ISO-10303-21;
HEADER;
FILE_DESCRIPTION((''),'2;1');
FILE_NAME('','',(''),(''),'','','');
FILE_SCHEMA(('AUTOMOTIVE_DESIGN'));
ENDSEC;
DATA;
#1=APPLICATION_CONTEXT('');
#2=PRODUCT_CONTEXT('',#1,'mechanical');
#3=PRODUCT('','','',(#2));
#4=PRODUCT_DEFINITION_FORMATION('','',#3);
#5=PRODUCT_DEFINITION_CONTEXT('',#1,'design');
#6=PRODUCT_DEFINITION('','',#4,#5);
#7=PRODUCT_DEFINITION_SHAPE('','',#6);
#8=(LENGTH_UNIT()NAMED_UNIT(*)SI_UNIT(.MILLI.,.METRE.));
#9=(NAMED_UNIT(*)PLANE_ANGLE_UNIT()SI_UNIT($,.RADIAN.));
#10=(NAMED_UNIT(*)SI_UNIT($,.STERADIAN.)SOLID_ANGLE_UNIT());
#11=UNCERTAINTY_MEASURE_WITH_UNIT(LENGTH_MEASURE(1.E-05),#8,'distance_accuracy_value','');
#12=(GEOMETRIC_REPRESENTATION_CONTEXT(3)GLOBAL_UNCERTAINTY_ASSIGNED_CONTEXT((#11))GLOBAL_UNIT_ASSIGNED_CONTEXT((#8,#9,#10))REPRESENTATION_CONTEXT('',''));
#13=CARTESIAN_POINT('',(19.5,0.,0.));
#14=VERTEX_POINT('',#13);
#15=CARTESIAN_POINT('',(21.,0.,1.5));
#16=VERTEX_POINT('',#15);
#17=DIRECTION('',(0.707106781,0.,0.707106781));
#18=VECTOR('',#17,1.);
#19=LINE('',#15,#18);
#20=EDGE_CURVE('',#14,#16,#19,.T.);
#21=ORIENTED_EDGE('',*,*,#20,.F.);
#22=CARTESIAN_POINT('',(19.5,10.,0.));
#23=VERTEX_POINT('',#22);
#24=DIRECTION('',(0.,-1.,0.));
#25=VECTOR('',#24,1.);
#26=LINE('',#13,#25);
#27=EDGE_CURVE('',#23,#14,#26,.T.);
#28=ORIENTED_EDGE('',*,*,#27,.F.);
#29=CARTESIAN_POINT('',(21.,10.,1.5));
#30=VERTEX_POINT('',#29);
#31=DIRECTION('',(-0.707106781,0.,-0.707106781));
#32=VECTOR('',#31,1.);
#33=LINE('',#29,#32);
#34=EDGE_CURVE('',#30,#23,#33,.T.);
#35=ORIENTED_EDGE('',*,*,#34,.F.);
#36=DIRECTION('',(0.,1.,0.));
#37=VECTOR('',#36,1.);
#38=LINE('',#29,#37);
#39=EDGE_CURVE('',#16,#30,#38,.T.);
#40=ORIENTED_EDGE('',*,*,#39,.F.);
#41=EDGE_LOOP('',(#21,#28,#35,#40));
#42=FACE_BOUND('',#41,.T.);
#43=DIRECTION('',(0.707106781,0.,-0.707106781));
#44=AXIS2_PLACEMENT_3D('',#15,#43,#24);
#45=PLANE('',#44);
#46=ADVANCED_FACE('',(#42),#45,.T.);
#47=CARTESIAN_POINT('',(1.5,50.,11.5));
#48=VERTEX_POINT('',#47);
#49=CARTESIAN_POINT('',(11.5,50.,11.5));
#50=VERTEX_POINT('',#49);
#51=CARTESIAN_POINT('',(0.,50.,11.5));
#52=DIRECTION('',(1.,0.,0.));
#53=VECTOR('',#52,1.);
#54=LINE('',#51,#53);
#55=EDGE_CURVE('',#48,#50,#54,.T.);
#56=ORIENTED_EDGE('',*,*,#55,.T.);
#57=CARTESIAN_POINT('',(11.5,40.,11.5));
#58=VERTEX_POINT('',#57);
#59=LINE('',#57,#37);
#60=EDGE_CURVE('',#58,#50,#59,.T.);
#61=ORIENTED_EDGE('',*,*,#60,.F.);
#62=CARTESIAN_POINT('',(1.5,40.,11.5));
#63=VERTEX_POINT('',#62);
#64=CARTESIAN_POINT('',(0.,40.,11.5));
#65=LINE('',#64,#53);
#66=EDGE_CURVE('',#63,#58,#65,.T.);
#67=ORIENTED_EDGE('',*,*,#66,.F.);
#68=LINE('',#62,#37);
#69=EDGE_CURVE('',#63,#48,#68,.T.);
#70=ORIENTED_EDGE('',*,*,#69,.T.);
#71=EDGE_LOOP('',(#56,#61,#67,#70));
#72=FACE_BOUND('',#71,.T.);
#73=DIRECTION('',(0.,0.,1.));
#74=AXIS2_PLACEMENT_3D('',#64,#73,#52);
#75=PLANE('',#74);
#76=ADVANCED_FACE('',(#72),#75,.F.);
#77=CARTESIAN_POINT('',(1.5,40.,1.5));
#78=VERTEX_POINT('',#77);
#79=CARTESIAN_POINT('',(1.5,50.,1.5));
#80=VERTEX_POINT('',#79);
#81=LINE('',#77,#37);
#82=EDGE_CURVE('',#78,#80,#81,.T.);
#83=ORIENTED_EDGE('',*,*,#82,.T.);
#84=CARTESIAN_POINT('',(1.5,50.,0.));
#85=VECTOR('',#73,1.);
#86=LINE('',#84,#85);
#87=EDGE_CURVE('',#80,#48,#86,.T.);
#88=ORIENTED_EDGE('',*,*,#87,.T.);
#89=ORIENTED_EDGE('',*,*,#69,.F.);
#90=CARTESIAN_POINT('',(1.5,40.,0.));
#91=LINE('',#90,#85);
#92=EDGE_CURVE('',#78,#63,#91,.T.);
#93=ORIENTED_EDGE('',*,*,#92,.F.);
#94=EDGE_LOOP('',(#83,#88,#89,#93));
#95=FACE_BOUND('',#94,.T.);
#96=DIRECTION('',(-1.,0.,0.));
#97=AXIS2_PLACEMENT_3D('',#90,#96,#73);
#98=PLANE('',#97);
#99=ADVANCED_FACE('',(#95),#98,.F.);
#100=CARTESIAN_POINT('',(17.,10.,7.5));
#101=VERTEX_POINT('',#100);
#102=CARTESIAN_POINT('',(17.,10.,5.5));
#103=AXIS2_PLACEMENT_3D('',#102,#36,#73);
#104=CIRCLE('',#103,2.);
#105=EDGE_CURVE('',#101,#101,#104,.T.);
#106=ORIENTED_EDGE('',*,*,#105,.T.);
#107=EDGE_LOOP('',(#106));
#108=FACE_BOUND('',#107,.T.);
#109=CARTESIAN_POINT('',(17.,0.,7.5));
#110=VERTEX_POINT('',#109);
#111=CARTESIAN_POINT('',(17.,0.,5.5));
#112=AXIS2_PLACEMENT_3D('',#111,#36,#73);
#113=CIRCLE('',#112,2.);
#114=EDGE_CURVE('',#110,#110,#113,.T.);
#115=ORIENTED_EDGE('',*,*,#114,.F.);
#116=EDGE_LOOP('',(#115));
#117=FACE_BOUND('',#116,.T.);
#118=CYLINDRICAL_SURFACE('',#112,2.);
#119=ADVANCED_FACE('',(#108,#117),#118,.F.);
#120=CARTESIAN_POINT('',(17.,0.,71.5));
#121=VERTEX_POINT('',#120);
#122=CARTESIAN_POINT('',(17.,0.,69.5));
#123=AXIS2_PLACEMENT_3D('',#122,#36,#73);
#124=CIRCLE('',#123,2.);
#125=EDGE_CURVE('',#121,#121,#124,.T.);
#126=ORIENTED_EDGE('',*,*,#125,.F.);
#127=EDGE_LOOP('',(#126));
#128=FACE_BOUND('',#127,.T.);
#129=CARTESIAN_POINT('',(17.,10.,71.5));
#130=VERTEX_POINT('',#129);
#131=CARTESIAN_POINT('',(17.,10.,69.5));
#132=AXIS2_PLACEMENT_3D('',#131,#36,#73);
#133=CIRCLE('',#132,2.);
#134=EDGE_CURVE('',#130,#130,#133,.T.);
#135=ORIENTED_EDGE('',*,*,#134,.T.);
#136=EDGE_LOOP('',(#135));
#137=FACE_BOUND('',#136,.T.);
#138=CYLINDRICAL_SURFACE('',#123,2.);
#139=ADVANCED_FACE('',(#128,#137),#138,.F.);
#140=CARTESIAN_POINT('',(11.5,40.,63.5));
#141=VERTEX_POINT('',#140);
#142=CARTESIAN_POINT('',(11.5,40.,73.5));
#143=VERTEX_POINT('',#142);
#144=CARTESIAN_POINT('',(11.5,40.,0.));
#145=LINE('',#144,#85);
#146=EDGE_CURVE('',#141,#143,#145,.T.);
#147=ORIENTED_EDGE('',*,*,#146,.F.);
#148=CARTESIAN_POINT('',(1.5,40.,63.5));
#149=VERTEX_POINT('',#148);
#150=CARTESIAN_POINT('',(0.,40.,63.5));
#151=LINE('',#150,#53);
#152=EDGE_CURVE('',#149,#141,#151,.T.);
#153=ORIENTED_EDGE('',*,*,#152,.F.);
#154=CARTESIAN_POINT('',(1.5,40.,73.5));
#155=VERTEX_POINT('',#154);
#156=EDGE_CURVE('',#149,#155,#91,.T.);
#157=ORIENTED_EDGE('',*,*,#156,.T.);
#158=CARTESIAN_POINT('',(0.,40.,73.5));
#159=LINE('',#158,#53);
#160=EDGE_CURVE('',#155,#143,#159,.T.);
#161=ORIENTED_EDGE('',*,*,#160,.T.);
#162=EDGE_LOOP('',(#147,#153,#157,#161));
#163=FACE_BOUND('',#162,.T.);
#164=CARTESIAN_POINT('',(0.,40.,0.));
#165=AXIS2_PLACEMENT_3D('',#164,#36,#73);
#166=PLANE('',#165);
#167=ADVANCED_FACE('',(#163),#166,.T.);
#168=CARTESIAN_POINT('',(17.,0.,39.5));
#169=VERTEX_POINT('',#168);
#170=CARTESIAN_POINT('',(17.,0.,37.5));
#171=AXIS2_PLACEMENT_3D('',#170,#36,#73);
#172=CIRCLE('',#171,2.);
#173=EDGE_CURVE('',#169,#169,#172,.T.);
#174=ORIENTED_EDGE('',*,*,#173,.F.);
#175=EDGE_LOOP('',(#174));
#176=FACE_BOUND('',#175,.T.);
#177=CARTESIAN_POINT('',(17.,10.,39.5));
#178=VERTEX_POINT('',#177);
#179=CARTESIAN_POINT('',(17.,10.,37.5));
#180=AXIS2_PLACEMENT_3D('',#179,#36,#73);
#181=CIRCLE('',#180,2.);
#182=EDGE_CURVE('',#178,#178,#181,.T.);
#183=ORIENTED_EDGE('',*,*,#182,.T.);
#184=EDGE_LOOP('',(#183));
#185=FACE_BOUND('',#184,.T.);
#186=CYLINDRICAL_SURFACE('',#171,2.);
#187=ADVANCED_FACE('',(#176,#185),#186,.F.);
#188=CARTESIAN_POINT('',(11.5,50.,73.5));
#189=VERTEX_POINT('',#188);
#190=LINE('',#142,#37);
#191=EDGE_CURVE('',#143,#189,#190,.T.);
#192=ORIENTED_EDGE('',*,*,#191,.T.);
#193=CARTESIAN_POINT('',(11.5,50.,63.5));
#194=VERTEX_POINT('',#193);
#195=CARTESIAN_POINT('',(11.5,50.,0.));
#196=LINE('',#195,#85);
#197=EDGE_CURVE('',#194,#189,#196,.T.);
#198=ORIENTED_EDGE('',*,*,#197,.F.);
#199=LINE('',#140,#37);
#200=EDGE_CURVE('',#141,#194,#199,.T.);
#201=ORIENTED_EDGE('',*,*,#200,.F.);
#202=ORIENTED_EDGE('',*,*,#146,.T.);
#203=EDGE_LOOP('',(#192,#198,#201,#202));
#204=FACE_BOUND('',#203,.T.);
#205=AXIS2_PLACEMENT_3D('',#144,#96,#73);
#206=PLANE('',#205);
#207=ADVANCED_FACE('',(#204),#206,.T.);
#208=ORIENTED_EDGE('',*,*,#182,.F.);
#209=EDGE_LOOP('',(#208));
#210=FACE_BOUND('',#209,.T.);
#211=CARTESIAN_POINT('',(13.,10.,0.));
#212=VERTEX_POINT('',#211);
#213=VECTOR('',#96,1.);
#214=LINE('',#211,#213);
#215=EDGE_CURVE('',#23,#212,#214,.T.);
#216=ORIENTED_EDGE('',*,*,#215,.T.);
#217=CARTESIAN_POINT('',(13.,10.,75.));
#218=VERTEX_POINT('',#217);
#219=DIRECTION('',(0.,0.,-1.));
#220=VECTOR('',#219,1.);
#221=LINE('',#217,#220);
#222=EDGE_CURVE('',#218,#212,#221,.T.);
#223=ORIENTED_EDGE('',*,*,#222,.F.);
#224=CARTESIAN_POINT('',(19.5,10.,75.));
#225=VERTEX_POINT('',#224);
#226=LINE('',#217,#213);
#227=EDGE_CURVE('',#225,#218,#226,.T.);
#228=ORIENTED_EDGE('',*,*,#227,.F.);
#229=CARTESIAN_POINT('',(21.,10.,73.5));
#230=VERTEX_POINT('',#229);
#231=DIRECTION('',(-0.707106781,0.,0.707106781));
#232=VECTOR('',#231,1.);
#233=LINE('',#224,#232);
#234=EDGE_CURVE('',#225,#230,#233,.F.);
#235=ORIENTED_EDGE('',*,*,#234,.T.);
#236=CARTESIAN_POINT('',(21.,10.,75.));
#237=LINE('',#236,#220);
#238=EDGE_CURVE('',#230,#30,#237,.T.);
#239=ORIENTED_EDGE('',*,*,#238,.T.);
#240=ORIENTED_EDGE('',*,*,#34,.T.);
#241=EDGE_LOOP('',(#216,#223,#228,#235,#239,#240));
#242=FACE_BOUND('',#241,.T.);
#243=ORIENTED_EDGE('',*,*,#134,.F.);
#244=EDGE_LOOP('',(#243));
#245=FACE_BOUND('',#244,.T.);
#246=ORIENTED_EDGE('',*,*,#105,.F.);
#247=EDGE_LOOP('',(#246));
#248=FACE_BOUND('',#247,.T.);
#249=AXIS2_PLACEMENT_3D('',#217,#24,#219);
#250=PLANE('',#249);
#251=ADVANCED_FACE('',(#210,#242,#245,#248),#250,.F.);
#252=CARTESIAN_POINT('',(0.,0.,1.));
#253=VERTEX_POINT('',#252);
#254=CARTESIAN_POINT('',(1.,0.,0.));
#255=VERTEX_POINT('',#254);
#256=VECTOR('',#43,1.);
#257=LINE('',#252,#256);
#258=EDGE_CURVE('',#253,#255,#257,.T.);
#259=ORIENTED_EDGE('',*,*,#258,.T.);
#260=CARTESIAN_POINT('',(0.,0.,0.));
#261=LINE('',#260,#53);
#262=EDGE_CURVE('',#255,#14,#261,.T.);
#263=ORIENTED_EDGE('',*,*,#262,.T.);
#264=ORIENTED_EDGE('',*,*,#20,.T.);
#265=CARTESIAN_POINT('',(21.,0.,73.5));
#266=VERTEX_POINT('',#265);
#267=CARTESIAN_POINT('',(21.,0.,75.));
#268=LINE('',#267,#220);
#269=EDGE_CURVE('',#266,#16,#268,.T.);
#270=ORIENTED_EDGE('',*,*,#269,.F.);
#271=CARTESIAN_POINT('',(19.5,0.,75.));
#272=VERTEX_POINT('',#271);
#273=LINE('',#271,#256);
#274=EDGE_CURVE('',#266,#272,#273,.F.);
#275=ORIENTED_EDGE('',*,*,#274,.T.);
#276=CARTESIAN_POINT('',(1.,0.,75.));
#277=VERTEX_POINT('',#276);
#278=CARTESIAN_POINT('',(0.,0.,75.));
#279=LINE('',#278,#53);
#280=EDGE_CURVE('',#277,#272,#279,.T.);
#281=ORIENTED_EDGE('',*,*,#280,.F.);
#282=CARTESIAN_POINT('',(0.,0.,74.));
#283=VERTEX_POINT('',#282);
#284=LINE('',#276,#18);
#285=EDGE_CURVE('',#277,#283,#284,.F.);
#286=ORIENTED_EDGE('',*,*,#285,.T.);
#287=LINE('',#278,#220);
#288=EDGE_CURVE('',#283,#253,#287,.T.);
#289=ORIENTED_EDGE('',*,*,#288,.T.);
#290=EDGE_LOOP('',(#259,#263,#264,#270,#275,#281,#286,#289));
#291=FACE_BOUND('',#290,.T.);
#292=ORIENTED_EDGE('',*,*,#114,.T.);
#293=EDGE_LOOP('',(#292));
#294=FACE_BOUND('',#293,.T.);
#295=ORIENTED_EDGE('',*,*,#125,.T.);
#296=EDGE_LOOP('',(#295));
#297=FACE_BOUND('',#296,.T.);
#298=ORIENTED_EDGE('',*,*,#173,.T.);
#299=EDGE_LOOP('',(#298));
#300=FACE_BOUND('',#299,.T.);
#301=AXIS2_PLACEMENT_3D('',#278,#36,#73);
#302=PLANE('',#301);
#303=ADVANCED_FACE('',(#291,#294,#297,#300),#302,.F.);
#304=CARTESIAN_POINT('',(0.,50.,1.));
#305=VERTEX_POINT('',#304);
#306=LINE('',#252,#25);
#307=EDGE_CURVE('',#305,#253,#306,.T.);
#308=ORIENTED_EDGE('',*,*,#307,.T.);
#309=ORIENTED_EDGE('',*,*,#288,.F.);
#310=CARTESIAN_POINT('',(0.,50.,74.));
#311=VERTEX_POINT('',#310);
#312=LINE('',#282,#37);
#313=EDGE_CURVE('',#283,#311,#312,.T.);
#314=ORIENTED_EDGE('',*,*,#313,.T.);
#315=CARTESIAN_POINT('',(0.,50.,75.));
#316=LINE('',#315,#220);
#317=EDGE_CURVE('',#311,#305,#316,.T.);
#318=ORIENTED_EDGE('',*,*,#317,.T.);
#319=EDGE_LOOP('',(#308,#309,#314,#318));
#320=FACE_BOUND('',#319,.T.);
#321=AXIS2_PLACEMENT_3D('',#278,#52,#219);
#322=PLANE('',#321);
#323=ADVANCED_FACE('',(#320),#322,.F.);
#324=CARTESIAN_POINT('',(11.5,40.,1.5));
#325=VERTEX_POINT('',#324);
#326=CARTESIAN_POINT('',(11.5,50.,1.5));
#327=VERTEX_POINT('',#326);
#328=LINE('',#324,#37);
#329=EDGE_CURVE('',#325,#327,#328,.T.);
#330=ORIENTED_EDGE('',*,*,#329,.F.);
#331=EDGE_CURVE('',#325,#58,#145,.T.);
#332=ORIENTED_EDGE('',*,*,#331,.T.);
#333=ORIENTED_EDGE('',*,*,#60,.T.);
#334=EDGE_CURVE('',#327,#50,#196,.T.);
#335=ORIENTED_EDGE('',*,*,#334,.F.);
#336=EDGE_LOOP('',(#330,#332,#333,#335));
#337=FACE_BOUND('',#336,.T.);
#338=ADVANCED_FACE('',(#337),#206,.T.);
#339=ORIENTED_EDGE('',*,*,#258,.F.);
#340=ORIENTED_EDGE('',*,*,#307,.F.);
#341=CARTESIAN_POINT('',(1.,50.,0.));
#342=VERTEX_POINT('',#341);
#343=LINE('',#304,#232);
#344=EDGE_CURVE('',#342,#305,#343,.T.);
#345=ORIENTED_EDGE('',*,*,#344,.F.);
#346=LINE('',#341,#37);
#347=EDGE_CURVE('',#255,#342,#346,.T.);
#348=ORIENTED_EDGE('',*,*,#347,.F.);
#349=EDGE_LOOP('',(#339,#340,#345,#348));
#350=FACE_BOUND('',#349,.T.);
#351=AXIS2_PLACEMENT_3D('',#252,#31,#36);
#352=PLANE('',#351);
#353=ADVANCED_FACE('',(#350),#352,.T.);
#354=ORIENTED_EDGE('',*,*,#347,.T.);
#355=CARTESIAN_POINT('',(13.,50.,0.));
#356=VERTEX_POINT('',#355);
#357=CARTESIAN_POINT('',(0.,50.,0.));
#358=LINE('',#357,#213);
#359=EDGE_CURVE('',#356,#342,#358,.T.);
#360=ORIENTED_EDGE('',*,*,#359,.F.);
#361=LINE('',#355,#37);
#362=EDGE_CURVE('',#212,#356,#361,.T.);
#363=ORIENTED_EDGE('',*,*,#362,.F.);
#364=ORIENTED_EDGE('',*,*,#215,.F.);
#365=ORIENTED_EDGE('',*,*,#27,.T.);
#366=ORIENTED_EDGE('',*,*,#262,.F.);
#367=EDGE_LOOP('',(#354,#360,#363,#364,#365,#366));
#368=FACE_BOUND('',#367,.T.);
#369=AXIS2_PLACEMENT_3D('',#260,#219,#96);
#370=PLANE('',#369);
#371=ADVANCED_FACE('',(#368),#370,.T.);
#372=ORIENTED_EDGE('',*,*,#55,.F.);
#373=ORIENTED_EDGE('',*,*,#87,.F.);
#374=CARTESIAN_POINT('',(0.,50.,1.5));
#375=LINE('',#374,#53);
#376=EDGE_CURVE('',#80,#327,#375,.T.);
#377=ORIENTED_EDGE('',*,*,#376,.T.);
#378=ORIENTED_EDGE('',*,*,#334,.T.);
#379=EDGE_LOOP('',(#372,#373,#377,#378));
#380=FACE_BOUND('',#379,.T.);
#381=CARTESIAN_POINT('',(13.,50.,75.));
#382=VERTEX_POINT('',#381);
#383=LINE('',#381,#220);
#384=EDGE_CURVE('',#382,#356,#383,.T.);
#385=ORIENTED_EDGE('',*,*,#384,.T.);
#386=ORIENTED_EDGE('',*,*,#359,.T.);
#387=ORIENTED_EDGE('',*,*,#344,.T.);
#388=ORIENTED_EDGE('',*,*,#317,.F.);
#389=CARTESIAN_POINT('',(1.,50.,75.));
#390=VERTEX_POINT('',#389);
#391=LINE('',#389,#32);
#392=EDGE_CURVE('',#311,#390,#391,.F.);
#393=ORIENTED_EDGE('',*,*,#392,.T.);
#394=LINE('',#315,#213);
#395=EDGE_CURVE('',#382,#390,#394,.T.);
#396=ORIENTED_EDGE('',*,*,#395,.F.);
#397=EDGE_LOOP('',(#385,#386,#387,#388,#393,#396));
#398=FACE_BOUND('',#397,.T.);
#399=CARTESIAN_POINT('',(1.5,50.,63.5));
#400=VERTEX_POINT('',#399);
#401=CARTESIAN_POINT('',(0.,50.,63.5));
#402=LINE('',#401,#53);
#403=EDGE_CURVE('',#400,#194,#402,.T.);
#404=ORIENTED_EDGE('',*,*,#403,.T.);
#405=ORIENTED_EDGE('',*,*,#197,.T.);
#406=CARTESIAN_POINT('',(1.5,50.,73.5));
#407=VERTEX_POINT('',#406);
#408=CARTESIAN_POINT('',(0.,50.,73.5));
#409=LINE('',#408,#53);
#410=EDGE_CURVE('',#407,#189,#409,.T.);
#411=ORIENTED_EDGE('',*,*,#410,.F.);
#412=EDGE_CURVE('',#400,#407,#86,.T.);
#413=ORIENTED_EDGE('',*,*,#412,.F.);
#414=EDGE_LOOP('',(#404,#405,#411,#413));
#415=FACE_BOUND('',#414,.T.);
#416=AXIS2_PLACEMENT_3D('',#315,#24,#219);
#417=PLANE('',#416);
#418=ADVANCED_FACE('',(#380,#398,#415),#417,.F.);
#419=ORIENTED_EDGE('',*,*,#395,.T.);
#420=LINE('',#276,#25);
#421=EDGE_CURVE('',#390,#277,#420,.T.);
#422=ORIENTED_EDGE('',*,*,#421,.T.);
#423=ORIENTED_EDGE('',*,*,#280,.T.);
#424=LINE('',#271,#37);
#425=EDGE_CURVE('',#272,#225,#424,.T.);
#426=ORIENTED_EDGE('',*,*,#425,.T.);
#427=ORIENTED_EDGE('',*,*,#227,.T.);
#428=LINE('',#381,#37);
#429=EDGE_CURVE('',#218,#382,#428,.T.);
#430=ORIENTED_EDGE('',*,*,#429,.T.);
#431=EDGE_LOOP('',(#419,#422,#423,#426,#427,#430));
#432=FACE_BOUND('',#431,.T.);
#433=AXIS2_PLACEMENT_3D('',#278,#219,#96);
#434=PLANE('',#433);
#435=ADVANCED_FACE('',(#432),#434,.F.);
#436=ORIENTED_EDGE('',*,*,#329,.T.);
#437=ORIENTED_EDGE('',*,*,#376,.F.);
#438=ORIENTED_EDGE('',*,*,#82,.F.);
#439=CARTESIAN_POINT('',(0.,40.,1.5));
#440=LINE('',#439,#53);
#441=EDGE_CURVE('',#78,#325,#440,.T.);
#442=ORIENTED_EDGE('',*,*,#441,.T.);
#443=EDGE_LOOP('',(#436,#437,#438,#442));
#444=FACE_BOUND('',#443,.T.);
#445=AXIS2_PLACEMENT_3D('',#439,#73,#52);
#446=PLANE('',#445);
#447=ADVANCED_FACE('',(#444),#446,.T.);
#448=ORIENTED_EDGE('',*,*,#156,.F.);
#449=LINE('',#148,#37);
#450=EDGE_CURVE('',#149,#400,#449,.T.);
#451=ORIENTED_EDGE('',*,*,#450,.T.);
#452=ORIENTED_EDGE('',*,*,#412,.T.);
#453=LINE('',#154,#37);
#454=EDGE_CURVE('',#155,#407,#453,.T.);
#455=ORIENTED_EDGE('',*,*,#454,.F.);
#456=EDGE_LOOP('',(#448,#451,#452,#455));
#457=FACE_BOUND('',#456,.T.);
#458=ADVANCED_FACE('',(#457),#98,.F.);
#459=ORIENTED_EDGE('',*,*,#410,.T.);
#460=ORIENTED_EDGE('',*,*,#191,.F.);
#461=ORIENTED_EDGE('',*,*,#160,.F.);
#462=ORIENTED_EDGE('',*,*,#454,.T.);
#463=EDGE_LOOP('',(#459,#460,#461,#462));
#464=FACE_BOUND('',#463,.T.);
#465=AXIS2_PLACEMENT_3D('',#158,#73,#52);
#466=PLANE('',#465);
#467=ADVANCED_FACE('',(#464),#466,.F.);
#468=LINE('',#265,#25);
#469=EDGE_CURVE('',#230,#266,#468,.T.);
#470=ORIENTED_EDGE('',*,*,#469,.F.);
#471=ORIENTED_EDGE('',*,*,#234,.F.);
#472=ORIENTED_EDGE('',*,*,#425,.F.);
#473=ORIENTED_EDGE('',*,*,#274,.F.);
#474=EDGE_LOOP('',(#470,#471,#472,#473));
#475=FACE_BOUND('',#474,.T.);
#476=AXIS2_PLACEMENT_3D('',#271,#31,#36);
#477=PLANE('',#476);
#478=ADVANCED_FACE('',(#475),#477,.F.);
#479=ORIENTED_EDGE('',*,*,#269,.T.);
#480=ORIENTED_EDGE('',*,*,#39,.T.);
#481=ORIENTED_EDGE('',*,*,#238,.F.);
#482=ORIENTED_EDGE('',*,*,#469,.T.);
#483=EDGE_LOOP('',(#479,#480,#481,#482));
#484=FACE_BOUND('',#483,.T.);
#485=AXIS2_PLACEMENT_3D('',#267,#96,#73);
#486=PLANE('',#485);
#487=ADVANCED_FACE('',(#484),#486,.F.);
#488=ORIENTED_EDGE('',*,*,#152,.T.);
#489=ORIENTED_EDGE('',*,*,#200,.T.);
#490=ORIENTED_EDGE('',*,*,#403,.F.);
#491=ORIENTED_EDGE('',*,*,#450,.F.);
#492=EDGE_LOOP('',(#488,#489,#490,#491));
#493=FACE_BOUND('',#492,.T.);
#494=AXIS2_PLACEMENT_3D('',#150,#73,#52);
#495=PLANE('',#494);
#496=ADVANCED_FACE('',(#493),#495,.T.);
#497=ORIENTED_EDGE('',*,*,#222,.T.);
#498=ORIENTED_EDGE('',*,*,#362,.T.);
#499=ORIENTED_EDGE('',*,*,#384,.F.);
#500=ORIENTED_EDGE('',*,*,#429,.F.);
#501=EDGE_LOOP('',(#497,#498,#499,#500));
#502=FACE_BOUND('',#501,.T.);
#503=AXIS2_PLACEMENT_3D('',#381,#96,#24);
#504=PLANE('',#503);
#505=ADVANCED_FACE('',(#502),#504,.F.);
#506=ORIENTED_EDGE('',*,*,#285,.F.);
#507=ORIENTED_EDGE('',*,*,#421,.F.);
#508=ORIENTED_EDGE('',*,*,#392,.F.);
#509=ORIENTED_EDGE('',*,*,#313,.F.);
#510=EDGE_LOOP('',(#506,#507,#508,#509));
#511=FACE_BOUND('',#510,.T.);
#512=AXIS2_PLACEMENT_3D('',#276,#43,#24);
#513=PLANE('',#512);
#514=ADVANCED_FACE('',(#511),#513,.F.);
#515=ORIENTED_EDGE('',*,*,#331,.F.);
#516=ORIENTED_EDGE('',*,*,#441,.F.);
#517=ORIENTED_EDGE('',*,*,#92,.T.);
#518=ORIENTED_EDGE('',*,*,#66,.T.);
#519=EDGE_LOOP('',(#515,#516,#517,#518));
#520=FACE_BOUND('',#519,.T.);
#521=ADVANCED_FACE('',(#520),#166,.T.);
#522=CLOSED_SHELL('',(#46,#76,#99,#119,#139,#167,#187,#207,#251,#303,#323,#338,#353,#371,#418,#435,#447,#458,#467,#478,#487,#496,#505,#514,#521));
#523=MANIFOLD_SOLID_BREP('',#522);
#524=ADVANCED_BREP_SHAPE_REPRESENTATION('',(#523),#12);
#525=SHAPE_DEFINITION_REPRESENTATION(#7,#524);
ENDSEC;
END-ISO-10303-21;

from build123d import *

# Parameters (mm, degrees)
BOSS_EXTRUDE1_DEPTH = 75
SKETCH3_W           = 10
SKETCH3_H           = 10
CUT_EXTRUDE1_DEPTH  = 10
SKETCH4_R           = 2
CUT_EXTRUDE2_DEPTH  = 11
CHAMFER1_SIZE       = 1.5
CHAMFER2_SIZE       = 1


with BuildPart() as part:
    # Sketch2 → Boss-Extrude1 (new body)
    with BuildSketch(Plane.XY):
        Polygon((13, 50), (13, 10), (21, 10), (21, 0), (0, 0), (0, 50), align=None)
    extrude(amount=BOSS_EXTRUDE1_DEPTH)

    # Sketch3 → Cut-Extrude1 (cut)
    with BuildSketch(Plane(origin=(0, 50, 0), x_dir=(1, 0, 0), z_dir=(0, 1, 0))):
        with Locations((6.5, -6.5)):
            Rectangle(SKETCH3_W, SKETCH3_H)
        with Locations((6.5, -68.5)):
            Rectangle(SKETCH3_W, SKETCH3_H)
    extrude(amount=-CUT_EXTRUDE1_DEPTH, mode=Mode.SUBTRACT)

    # Sketch4 → Cut-Extrude2 (cut, through all)
    with BuildSketch(Plane(origin=(0, 10, 0), x_dir=(1, 0, 0), z_dir=(0, 1, 0))):
        with Locations((17, -5.5)):
            Circle(SKETCH4_R)
        with Locations((17, -37.5)):
            Circle(SKETCH4_R)
        with Locations((17, -69.5)):
            Circle(SKETCH4_R)
    extrude(amount=-CUT_EXTRUDE2_DEPTH, mode=Mode.SUBTRACT)

    # Chamfer1
    chamfer1_edges = [part.edges().sort_by_distance(p)[0] for p in [
        (21, 5, 75),
        (21, 5, 0),
    ]]
    chamfer(chamfer1_edges, length=CHAMFER1_SIZE)

    # Chamfer2
    chamfer2_edges = [part.edges().sort_by_distance(p)[0] for p in [
        (0, 25, 75),
        (0, 25, 0),
    ]]
    chamfer(chamfer2_edges, length=CHAMFER2_SIZE)


solid = part.part
